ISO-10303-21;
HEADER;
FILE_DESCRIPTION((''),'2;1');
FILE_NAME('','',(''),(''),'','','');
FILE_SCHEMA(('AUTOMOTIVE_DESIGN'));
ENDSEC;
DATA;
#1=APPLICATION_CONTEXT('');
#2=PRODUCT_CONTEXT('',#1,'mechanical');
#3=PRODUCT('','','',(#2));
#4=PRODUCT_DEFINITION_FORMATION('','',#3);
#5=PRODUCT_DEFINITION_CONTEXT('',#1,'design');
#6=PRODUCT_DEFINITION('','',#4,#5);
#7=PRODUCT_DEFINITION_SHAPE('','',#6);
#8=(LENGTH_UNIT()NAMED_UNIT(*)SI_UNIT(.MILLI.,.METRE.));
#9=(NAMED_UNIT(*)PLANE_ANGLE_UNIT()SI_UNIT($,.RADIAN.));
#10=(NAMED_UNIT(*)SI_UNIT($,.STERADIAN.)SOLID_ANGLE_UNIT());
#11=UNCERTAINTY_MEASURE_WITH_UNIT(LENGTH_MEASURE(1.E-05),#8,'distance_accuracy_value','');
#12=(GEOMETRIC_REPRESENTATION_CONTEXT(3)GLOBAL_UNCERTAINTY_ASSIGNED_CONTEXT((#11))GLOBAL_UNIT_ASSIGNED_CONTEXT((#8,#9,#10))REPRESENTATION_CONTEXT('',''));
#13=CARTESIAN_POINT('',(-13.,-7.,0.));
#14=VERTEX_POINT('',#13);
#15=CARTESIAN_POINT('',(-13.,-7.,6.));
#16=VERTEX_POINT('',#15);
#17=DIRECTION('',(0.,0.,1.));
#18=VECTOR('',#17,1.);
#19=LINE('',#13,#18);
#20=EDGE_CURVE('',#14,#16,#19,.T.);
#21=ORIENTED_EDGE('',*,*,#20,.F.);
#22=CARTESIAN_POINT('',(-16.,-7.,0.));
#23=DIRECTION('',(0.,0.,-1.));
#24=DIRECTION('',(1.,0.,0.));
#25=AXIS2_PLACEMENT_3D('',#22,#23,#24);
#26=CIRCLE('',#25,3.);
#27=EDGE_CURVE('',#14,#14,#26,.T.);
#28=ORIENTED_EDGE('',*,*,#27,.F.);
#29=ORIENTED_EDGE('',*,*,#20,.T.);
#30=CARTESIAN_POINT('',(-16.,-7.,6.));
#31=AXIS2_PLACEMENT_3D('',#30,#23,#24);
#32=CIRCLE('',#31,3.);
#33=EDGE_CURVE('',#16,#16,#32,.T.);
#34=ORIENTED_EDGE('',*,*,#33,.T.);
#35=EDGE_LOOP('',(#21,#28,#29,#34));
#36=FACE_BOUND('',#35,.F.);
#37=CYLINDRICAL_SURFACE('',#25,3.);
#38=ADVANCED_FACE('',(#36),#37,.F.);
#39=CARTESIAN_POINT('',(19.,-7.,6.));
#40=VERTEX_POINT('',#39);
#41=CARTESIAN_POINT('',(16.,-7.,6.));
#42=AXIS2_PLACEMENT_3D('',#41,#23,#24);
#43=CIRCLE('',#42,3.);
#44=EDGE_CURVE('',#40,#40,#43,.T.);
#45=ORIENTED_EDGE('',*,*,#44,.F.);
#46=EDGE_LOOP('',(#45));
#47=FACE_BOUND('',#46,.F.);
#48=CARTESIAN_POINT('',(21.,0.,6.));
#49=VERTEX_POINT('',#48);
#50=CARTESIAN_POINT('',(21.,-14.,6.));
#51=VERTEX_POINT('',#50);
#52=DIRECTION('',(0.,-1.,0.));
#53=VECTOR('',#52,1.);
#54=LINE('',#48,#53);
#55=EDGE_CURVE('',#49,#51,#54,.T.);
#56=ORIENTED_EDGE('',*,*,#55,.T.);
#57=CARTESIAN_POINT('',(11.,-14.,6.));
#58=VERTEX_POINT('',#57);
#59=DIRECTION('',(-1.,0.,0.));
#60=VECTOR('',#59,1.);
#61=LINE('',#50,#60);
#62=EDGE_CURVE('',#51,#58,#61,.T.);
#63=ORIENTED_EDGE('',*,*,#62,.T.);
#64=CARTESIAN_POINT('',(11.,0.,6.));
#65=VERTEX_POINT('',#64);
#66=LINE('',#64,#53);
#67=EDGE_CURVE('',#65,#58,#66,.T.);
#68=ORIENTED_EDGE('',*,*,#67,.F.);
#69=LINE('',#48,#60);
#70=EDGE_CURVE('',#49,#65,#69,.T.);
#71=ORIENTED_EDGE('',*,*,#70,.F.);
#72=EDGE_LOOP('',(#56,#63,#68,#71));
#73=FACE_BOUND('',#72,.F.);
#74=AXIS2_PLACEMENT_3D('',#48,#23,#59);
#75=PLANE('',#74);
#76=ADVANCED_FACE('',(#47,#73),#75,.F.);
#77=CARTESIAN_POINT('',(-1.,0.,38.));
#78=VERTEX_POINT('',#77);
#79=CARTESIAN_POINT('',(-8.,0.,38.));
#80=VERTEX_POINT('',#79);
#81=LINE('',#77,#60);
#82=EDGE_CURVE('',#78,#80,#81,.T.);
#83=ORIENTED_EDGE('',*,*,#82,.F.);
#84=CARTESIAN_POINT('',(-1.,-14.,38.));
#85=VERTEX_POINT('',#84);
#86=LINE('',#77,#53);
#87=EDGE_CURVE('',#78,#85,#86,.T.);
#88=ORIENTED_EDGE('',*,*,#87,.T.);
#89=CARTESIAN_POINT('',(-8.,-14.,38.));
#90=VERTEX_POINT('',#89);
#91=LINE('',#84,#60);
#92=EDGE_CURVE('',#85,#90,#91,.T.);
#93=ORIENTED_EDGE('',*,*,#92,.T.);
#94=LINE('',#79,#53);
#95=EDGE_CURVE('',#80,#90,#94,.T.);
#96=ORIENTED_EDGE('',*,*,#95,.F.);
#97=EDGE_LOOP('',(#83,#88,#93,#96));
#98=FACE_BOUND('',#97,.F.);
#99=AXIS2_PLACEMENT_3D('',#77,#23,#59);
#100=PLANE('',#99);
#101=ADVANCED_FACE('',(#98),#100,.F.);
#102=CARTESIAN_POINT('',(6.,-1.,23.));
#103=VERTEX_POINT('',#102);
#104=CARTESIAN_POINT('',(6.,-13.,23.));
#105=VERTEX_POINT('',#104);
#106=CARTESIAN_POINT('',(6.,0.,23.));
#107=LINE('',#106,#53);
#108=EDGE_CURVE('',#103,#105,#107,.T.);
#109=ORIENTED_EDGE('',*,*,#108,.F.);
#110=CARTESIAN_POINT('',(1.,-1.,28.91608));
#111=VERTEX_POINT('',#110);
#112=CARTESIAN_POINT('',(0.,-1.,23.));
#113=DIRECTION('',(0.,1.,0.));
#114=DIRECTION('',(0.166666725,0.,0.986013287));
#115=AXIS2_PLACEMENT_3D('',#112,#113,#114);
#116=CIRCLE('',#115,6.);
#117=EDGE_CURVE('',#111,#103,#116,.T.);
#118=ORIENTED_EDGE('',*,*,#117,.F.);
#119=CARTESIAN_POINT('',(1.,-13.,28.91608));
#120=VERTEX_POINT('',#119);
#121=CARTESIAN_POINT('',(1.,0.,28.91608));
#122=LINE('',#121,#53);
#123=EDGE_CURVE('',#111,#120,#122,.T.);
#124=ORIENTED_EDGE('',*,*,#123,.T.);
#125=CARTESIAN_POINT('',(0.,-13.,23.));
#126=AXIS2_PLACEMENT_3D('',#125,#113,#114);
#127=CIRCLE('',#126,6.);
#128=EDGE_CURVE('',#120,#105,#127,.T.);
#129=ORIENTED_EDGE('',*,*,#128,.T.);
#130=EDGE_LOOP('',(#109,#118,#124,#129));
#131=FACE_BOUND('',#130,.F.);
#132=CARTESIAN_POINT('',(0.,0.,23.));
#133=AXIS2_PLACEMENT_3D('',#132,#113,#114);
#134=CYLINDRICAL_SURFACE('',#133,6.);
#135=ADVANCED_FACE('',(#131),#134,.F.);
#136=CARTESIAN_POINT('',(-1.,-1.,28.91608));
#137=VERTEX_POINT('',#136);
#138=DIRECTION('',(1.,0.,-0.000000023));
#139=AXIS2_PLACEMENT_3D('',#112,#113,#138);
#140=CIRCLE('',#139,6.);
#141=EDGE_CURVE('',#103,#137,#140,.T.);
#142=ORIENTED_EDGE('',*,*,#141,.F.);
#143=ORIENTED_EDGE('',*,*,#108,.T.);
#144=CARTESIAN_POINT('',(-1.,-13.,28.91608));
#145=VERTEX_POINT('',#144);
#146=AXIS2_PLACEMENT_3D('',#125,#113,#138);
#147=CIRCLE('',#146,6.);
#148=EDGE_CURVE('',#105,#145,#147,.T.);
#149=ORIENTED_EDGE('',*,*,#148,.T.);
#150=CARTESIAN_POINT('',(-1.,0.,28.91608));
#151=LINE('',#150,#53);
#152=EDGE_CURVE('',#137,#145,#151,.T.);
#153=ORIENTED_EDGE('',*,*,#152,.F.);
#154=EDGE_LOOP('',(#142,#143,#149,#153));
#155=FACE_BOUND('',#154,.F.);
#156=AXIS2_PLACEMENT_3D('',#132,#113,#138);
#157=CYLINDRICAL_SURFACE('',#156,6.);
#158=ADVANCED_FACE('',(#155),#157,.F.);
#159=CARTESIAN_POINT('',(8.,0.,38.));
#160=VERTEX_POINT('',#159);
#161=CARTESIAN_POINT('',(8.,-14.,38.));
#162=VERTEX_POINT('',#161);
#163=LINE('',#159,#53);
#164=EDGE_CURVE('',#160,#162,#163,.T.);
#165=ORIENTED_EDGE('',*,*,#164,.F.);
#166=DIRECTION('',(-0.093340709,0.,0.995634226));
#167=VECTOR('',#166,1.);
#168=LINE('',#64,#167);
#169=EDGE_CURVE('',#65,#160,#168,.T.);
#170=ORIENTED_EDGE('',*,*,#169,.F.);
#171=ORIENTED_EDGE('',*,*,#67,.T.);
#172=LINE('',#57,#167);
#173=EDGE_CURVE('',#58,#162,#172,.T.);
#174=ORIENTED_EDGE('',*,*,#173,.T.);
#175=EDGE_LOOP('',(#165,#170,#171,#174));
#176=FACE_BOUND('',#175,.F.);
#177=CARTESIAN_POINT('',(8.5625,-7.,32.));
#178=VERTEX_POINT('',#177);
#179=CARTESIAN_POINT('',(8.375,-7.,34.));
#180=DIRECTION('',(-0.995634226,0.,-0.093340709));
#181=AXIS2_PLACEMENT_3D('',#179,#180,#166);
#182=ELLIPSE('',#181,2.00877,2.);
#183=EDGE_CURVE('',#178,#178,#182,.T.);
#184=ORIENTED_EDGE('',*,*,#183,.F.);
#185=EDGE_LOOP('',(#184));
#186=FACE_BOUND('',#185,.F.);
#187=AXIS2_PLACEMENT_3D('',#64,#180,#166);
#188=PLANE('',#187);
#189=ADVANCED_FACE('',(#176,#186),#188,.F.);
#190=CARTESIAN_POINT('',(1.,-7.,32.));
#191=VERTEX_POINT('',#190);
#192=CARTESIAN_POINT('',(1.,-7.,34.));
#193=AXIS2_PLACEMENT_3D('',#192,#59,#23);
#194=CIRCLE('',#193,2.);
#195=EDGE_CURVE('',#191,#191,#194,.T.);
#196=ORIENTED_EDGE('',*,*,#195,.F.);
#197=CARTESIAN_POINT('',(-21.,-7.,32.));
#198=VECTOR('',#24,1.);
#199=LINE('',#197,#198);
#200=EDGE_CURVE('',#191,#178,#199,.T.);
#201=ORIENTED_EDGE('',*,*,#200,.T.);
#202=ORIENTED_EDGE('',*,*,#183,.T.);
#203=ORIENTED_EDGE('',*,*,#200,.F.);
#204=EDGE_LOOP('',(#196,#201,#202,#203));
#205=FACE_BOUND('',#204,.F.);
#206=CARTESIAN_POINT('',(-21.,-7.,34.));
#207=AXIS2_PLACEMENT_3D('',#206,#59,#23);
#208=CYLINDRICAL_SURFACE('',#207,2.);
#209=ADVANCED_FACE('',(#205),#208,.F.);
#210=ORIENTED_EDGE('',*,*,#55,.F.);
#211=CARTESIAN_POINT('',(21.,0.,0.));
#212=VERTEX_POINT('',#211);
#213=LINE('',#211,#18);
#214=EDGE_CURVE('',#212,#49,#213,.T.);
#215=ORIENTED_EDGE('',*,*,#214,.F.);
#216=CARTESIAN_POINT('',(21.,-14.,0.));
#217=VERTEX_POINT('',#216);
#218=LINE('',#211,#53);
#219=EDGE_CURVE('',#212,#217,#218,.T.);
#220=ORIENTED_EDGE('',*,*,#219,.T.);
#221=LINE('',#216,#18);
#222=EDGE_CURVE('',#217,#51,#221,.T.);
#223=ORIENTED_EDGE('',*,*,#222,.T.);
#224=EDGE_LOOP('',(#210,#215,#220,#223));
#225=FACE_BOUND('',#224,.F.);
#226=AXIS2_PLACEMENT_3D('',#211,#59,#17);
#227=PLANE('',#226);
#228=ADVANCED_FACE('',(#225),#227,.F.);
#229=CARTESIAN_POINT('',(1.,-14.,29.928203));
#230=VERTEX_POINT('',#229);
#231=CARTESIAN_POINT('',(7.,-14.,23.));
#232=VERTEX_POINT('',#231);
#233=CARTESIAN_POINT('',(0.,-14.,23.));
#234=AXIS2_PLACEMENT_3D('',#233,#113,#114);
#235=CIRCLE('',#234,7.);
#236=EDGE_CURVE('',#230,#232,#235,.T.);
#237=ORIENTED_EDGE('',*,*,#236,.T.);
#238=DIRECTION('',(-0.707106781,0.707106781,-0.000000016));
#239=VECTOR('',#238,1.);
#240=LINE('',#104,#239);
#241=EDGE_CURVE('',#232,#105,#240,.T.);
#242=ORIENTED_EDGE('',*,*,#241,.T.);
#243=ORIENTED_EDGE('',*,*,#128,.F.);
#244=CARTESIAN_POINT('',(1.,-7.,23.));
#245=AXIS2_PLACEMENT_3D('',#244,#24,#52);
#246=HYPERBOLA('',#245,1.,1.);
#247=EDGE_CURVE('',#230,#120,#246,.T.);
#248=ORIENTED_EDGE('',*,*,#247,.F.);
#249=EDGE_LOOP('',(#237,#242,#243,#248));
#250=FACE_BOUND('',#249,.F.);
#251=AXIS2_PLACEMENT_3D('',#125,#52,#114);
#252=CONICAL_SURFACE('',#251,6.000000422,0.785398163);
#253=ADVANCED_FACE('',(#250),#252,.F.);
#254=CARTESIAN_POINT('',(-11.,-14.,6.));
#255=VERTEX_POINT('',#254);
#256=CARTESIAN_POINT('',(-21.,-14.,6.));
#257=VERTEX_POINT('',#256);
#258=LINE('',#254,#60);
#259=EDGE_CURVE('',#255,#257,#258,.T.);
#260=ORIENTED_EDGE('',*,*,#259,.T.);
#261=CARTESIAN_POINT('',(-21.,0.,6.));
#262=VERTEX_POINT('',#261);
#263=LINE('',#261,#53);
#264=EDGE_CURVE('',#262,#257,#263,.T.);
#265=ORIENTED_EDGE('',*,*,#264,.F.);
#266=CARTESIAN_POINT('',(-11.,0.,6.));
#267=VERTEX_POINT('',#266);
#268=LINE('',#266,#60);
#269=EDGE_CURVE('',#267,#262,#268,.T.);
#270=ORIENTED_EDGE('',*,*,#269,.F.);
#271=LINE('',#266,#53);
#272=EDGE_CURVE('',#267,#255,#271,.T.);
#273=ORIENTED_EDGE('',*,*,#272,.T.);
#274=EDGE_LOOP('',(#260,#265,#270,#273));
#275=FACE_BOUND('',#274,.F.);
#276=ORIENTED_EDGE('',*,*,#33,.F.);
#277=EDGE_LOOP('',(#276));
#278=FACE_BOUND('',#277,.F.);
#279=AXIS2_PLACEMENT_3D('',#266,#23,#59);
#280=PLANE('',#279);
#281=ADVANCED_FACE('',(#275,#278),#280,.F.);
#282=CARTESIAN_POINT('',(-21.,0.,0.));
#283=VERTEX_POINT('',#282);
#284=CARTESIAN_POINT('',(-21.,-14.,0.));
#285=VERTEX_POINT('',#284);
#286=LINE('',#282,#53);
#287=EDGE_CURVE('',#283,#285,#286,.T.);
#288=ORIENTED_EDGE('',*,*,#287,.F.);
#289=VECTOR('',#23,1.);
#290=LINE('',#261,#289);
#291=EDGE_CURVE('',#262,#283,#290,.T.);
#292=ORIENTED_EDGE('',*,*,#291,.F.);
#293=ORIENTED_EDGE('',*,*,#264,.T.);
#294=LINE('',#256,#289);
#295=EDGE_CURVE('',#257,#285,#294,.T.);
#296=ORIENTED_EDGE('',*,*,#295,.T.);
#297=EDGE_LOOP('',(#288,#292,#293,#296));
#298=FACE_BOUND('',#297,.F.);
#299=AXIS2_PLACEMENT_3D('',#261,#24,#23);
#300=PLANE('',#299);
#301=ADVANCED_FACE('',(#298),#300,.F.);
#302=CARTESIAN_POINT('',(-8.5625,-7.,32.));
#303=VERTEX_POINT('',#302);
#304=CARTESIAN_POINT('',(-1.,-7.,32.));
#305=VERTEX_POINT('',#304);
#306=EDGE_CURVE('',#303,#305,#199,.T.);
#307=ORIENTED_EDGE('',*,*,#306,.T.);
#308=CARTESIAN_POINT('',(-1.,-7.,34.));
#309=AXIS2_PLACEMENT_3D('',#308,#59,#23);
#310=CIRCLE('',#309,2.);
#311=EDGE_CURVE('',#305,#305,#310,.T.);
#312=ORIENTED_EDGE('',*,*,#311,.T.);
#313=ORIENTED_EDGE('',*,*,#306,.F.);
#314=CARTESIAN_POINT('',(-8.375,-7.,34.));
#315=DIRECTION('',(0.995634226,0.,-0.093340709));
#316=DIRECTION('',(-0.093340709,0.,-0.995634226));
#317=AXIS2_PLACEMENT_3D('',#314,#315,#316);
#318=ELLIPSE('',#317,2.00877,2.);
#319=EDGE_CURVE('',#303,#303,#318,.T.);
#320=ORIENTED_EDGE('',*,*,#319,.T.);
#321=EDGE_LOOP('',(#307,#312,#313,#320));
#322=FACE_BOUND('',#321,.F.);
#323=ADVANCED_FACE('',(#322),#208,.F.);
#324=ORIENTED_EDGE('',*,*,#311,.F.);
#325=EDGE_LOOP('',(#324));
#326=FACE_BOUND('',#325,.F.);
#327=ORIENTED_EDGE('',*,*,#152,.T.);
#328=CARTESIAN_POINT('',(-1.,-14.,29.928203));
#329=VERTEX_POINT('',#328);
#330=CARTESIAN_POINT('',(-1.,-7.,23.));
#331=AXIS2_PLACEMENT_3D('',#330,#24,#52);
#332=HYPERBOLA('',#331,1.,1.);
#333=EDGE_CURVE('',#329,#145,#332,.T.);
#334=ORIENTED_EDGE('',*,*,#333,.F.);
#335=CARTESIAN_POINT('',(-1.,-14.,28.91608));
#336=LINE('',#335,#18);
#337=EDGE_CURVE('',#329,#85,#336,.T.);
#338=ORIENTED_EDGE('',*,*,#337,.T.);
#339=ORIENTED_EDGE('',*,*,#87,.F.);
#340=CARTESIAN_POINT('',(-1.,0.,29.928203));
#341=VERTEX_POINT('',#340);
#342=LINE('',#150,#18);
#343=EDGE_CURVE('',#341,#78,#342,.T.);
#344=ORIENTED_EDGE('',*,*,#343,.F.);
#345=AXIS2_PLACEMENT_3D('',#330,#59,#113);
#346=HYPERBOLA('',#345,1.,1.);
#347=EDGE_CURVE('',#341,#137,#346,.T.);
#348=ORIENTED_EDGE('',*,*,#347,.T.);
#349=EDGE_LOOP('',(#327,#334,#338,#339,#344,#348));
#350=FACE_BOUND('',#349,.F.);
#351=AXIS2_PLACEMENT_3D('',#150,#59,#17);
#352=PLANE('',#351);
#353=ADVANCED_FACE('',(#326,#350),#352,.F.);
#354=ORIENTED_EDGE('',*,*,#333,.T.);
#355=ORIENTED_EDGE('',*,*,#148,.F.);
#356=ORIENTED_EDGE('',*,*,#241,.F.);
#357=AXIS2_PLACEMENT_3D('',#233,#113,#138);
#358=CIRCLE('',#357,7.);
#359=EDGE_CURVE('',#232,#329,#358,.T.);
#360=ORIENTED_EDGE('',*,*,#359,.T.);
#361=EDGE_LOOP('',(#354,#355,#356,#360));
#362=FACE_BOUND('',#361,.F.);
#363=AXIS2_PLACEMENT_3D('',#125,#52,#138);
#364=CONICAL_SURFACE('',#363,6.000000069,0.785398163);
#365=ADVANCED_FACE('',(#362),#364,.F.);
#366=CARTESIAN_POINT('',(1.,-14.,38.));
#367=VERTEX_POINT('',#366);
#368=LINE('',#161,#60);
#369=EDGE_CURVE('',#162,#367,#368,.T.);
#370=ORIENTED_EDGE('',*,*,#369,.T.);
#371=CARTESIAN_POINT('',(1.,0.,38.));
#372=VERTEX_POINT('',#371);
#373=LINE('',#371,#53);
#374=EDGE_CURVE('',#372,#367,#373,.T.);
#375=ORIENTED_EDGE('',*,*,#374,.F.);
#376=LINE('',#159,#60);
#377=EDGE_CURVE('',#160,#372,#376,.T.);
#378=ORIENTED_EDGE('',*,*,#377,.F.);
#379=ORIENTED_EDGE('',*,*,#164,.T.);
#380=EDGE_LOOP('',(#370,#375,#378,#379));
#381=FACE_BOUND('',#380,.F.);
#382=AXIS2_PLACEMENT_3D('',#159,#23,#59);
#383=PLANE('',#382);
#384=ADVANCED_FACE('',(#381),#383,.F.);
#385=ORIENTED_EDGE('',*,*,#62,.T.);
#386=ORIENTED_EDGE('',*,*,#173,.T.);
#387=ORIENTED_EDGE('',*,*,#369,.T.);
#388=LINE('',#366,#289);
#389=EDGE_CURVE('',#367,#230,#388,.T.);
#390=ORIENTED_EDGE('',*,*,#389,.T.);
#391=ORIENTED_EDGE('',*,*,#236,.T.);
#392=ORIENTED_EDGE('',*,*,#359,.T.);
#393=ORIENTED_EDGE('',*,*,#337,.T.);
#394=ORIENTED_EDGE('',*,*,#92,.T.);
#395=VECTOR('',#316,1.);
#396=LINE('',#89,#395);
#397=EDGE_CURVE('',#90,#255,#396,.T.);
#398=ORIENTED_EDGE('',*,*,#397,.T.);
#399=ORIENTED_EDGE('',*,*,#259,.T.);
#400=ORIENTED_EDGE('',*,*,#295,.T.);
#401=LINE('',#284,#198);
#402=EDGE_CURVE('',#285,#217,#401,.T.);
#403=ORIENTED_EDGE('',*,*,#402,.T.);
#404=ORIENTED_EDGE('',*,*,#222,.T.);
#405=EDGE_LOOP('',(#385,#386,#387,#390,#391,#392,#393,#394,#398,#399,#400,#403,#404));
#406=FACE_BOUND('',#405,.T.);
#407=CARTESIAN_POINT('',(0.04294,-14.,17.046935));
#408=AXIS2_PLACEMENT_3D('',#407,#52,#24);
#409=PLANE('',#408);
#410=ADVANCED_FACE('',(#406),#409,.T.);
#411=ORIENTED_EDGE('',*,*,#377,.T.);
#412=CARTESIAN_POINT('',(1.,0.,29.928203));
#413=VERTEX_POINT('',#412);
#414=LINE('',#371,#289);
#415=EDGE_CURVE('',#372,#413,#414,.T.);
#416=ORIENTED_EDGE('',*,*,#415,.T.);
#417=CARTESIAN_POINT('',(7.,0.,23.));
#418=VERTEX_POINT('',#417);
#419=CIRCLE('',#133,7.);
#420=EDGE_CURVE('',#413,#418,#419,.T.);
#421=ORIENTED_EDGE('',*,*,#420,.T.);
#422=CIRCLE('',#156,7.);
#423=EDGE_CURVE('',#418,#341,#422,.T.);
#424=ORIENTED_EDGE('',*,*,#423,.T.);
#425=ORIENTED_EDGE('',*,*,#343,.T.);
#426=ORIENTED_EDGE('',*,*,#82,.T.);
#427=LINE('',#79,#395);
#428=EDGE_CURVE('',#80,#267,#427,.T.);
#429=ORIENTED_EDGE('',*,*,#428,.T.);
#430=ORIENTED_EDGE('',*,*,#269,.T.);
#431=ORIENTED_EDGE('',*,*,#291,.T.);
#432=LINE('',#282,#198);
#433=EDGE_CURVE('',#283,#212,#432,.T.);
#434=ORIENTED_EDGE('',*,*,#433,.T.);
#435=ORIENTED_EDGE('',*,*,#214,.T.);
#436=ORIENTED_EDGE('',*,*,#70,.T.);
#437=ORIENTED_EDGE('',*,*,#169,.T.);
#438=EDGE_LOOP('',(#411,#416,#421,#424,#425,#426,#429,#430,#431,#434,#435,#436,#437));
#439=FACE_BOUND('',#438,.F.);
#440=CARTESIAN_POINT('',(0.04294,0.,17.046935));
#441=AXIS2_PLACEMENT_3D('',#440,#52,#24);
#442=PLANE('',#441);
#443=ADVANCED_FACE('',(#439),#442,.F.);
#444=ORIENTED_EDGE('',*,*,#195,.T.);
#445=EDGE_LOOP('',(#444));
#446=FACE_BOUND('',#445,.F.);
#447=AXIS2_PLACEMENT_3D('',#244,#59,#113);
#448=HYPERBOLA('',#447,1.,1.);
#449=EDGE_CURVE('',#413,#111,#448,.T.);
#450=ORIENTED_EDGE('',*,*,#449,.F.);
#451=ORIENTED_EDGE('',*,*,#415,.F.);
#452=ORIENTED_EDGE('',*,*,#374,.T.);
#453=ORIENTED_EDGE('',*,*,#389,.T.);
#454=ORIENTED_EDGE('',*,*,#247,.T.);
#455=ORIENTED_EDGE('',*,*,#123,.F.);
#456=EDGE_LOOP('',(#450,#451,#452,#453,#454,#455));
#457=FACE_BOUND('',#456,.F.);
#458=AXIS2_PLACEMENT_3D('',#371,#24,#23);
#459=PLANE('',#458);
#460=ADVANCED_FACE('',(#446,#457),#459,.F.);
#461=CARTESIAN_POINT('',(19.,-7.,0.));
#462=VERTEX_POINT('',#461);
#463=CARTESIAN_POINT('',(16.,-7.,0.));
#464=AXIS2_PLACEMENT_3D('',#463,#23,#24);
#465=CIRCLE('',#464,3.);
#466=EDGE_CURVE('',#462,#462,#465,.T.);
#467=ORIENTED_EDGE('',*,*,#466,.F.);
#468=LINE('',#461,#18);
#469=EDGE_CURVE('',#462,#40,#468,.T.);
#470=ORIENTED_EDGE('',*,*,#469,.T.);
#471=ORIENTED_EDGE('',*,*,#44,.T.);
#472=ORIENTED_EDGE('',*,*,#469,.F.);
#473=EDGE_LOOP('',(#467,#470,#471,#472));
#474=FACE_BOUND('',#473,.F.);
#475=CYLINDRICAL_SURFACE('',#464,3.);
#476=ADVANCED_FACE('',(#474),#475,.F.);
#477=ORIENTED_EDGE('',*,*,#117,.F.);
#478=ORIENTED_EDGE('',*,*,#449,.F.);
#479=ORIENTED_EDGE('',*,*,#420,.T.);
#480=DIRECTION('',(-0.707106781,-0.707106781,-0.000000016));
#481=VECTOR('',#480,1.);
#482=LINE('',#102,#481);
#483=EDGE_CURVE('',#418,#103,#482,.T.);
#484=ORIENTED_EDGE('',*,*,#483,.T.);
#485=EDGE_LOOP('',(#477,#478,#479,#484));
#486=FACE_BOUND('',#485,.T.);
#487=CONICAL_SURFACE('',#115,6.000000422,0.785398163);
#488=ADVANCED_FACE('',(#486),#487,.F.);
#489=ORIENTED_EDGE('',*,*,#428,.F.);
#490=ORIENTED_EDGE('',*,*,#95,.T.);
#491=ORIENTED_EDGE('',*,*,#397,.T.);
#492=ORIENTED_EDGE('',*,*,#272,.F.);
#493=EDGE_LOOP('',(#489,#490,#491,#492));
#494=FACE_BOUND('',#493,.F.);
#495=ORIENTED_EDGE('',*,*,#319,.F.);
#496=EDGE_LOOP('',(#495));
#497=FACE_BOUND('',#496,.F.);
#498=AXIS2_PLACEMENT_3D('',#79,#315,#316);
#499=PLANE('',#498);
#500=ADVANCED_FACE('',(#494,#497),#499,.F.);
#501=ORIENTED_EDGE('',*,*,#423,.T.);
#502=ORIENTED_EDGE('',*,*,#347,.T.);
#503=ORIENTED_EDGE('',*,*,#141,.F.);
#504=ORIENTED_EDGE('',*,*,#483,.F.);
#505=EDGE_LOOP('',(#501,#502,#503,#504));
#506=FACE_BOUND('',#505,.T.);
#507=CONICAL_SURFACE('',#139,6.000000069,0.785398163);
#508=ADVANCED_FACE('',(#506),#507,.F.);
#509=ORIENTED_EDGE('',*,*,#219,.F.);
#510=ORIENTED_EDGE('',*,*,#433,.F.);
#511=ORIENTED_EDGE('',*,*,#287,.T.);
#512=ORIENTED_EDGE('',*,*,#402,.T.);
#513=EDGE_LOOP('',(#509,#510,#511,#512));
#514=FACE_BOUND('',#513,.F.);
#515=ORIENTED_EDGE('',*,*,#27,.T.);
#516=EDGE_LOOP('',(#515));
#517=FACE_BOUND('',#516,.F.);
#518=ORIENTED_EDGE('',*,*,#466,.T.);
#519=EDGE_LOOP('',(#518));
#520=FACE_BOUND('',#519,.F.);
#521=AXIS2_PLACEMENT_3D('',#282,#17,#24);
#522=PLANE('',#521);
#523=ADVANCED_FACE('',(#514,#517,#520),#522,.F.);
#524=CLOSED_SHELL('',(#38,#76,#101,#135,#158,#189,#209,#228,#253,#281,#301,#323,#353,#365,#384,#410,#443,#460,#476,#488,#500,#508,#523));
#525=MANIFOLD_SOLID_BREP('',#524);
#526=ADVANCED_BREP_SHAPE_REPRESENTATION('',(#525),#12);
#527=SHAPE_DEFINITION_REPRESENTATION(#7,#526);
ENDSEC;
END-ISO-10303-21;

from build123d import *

# Parameters (mm, degrees)
F1_DEPTH = 14
F2_R     = 3
F3_DEPTH = 38.001
F4_SIZE  = 1
F5_R     = 2
F6_DEPTH = 42.001
F7_ANGLE = 90


with BuildPart() as f1:
    # F0 (on Top) → F1 (new body)
    with BuildSketch(Plane.XY):
        with BuildLine():
            Line((-21, 6), (-21, 0))
            Line((-21, 0), (21, 0))
            Line((21, 0), (21, 6))
            Line((21, 6), (11, 6))
            Line((11, 6), (8, 38))
            Line((8, 38), (1, 38))
            Line((1, 38), (1, 28.91608))
            ThreePointArc((1, 28.91608), (4.582576, 26.872983), (6, 23))
            ThreePointArc((6, 23), (-3.872983, 18.417424), (-1, 28.91608))
            Line((-1, 28.91608), (-1, 38))
            Line((-1, 38), (-8, 38))
            Line((-8, 38), (-11, 6))
            Line((-11, 6), (-21, 6))
        make_face()
    extrude(amount=F1_DEPTH)

    # F2 (on face) → F3 (cut, through all)
    with BuildSketch(Plane.XZ):
        with Locations((-16, 7)):
            Circle(F2_R)
        with Locations((16, 7)):
            Circle(F2_R)
    extrude(amount=-F3_DEPTH, mode=Mode.SUBTRACT)

    # F4
    f4_edges = [f1.edges().sort_by_distance(p)[0] for p in [
        (0, 17, 14),
        (0, 17, 0),
    ]]
    chamfer(f4_edges, length=F4_SIZE)

    # F5 (on face) → F6 (cut, through all)
    with BuildSketch(Plane(origin=(-21, 0, 0), x_dir=(0, -1, 0), z_dir=(-1, 0, 0))):
        with Locations((-34, 7)):
            Circle(F5_R)
    extrude(amount=-F6_DEPTH, mode=Mode.SUBTRACT)


with BuildPart() as f1_1:
    # F7: moved
    add(f1.part.rotate(Axis((0, 0, 0), (1, 0, 0)), F7_ANGLE))


solid = f1_1.part
